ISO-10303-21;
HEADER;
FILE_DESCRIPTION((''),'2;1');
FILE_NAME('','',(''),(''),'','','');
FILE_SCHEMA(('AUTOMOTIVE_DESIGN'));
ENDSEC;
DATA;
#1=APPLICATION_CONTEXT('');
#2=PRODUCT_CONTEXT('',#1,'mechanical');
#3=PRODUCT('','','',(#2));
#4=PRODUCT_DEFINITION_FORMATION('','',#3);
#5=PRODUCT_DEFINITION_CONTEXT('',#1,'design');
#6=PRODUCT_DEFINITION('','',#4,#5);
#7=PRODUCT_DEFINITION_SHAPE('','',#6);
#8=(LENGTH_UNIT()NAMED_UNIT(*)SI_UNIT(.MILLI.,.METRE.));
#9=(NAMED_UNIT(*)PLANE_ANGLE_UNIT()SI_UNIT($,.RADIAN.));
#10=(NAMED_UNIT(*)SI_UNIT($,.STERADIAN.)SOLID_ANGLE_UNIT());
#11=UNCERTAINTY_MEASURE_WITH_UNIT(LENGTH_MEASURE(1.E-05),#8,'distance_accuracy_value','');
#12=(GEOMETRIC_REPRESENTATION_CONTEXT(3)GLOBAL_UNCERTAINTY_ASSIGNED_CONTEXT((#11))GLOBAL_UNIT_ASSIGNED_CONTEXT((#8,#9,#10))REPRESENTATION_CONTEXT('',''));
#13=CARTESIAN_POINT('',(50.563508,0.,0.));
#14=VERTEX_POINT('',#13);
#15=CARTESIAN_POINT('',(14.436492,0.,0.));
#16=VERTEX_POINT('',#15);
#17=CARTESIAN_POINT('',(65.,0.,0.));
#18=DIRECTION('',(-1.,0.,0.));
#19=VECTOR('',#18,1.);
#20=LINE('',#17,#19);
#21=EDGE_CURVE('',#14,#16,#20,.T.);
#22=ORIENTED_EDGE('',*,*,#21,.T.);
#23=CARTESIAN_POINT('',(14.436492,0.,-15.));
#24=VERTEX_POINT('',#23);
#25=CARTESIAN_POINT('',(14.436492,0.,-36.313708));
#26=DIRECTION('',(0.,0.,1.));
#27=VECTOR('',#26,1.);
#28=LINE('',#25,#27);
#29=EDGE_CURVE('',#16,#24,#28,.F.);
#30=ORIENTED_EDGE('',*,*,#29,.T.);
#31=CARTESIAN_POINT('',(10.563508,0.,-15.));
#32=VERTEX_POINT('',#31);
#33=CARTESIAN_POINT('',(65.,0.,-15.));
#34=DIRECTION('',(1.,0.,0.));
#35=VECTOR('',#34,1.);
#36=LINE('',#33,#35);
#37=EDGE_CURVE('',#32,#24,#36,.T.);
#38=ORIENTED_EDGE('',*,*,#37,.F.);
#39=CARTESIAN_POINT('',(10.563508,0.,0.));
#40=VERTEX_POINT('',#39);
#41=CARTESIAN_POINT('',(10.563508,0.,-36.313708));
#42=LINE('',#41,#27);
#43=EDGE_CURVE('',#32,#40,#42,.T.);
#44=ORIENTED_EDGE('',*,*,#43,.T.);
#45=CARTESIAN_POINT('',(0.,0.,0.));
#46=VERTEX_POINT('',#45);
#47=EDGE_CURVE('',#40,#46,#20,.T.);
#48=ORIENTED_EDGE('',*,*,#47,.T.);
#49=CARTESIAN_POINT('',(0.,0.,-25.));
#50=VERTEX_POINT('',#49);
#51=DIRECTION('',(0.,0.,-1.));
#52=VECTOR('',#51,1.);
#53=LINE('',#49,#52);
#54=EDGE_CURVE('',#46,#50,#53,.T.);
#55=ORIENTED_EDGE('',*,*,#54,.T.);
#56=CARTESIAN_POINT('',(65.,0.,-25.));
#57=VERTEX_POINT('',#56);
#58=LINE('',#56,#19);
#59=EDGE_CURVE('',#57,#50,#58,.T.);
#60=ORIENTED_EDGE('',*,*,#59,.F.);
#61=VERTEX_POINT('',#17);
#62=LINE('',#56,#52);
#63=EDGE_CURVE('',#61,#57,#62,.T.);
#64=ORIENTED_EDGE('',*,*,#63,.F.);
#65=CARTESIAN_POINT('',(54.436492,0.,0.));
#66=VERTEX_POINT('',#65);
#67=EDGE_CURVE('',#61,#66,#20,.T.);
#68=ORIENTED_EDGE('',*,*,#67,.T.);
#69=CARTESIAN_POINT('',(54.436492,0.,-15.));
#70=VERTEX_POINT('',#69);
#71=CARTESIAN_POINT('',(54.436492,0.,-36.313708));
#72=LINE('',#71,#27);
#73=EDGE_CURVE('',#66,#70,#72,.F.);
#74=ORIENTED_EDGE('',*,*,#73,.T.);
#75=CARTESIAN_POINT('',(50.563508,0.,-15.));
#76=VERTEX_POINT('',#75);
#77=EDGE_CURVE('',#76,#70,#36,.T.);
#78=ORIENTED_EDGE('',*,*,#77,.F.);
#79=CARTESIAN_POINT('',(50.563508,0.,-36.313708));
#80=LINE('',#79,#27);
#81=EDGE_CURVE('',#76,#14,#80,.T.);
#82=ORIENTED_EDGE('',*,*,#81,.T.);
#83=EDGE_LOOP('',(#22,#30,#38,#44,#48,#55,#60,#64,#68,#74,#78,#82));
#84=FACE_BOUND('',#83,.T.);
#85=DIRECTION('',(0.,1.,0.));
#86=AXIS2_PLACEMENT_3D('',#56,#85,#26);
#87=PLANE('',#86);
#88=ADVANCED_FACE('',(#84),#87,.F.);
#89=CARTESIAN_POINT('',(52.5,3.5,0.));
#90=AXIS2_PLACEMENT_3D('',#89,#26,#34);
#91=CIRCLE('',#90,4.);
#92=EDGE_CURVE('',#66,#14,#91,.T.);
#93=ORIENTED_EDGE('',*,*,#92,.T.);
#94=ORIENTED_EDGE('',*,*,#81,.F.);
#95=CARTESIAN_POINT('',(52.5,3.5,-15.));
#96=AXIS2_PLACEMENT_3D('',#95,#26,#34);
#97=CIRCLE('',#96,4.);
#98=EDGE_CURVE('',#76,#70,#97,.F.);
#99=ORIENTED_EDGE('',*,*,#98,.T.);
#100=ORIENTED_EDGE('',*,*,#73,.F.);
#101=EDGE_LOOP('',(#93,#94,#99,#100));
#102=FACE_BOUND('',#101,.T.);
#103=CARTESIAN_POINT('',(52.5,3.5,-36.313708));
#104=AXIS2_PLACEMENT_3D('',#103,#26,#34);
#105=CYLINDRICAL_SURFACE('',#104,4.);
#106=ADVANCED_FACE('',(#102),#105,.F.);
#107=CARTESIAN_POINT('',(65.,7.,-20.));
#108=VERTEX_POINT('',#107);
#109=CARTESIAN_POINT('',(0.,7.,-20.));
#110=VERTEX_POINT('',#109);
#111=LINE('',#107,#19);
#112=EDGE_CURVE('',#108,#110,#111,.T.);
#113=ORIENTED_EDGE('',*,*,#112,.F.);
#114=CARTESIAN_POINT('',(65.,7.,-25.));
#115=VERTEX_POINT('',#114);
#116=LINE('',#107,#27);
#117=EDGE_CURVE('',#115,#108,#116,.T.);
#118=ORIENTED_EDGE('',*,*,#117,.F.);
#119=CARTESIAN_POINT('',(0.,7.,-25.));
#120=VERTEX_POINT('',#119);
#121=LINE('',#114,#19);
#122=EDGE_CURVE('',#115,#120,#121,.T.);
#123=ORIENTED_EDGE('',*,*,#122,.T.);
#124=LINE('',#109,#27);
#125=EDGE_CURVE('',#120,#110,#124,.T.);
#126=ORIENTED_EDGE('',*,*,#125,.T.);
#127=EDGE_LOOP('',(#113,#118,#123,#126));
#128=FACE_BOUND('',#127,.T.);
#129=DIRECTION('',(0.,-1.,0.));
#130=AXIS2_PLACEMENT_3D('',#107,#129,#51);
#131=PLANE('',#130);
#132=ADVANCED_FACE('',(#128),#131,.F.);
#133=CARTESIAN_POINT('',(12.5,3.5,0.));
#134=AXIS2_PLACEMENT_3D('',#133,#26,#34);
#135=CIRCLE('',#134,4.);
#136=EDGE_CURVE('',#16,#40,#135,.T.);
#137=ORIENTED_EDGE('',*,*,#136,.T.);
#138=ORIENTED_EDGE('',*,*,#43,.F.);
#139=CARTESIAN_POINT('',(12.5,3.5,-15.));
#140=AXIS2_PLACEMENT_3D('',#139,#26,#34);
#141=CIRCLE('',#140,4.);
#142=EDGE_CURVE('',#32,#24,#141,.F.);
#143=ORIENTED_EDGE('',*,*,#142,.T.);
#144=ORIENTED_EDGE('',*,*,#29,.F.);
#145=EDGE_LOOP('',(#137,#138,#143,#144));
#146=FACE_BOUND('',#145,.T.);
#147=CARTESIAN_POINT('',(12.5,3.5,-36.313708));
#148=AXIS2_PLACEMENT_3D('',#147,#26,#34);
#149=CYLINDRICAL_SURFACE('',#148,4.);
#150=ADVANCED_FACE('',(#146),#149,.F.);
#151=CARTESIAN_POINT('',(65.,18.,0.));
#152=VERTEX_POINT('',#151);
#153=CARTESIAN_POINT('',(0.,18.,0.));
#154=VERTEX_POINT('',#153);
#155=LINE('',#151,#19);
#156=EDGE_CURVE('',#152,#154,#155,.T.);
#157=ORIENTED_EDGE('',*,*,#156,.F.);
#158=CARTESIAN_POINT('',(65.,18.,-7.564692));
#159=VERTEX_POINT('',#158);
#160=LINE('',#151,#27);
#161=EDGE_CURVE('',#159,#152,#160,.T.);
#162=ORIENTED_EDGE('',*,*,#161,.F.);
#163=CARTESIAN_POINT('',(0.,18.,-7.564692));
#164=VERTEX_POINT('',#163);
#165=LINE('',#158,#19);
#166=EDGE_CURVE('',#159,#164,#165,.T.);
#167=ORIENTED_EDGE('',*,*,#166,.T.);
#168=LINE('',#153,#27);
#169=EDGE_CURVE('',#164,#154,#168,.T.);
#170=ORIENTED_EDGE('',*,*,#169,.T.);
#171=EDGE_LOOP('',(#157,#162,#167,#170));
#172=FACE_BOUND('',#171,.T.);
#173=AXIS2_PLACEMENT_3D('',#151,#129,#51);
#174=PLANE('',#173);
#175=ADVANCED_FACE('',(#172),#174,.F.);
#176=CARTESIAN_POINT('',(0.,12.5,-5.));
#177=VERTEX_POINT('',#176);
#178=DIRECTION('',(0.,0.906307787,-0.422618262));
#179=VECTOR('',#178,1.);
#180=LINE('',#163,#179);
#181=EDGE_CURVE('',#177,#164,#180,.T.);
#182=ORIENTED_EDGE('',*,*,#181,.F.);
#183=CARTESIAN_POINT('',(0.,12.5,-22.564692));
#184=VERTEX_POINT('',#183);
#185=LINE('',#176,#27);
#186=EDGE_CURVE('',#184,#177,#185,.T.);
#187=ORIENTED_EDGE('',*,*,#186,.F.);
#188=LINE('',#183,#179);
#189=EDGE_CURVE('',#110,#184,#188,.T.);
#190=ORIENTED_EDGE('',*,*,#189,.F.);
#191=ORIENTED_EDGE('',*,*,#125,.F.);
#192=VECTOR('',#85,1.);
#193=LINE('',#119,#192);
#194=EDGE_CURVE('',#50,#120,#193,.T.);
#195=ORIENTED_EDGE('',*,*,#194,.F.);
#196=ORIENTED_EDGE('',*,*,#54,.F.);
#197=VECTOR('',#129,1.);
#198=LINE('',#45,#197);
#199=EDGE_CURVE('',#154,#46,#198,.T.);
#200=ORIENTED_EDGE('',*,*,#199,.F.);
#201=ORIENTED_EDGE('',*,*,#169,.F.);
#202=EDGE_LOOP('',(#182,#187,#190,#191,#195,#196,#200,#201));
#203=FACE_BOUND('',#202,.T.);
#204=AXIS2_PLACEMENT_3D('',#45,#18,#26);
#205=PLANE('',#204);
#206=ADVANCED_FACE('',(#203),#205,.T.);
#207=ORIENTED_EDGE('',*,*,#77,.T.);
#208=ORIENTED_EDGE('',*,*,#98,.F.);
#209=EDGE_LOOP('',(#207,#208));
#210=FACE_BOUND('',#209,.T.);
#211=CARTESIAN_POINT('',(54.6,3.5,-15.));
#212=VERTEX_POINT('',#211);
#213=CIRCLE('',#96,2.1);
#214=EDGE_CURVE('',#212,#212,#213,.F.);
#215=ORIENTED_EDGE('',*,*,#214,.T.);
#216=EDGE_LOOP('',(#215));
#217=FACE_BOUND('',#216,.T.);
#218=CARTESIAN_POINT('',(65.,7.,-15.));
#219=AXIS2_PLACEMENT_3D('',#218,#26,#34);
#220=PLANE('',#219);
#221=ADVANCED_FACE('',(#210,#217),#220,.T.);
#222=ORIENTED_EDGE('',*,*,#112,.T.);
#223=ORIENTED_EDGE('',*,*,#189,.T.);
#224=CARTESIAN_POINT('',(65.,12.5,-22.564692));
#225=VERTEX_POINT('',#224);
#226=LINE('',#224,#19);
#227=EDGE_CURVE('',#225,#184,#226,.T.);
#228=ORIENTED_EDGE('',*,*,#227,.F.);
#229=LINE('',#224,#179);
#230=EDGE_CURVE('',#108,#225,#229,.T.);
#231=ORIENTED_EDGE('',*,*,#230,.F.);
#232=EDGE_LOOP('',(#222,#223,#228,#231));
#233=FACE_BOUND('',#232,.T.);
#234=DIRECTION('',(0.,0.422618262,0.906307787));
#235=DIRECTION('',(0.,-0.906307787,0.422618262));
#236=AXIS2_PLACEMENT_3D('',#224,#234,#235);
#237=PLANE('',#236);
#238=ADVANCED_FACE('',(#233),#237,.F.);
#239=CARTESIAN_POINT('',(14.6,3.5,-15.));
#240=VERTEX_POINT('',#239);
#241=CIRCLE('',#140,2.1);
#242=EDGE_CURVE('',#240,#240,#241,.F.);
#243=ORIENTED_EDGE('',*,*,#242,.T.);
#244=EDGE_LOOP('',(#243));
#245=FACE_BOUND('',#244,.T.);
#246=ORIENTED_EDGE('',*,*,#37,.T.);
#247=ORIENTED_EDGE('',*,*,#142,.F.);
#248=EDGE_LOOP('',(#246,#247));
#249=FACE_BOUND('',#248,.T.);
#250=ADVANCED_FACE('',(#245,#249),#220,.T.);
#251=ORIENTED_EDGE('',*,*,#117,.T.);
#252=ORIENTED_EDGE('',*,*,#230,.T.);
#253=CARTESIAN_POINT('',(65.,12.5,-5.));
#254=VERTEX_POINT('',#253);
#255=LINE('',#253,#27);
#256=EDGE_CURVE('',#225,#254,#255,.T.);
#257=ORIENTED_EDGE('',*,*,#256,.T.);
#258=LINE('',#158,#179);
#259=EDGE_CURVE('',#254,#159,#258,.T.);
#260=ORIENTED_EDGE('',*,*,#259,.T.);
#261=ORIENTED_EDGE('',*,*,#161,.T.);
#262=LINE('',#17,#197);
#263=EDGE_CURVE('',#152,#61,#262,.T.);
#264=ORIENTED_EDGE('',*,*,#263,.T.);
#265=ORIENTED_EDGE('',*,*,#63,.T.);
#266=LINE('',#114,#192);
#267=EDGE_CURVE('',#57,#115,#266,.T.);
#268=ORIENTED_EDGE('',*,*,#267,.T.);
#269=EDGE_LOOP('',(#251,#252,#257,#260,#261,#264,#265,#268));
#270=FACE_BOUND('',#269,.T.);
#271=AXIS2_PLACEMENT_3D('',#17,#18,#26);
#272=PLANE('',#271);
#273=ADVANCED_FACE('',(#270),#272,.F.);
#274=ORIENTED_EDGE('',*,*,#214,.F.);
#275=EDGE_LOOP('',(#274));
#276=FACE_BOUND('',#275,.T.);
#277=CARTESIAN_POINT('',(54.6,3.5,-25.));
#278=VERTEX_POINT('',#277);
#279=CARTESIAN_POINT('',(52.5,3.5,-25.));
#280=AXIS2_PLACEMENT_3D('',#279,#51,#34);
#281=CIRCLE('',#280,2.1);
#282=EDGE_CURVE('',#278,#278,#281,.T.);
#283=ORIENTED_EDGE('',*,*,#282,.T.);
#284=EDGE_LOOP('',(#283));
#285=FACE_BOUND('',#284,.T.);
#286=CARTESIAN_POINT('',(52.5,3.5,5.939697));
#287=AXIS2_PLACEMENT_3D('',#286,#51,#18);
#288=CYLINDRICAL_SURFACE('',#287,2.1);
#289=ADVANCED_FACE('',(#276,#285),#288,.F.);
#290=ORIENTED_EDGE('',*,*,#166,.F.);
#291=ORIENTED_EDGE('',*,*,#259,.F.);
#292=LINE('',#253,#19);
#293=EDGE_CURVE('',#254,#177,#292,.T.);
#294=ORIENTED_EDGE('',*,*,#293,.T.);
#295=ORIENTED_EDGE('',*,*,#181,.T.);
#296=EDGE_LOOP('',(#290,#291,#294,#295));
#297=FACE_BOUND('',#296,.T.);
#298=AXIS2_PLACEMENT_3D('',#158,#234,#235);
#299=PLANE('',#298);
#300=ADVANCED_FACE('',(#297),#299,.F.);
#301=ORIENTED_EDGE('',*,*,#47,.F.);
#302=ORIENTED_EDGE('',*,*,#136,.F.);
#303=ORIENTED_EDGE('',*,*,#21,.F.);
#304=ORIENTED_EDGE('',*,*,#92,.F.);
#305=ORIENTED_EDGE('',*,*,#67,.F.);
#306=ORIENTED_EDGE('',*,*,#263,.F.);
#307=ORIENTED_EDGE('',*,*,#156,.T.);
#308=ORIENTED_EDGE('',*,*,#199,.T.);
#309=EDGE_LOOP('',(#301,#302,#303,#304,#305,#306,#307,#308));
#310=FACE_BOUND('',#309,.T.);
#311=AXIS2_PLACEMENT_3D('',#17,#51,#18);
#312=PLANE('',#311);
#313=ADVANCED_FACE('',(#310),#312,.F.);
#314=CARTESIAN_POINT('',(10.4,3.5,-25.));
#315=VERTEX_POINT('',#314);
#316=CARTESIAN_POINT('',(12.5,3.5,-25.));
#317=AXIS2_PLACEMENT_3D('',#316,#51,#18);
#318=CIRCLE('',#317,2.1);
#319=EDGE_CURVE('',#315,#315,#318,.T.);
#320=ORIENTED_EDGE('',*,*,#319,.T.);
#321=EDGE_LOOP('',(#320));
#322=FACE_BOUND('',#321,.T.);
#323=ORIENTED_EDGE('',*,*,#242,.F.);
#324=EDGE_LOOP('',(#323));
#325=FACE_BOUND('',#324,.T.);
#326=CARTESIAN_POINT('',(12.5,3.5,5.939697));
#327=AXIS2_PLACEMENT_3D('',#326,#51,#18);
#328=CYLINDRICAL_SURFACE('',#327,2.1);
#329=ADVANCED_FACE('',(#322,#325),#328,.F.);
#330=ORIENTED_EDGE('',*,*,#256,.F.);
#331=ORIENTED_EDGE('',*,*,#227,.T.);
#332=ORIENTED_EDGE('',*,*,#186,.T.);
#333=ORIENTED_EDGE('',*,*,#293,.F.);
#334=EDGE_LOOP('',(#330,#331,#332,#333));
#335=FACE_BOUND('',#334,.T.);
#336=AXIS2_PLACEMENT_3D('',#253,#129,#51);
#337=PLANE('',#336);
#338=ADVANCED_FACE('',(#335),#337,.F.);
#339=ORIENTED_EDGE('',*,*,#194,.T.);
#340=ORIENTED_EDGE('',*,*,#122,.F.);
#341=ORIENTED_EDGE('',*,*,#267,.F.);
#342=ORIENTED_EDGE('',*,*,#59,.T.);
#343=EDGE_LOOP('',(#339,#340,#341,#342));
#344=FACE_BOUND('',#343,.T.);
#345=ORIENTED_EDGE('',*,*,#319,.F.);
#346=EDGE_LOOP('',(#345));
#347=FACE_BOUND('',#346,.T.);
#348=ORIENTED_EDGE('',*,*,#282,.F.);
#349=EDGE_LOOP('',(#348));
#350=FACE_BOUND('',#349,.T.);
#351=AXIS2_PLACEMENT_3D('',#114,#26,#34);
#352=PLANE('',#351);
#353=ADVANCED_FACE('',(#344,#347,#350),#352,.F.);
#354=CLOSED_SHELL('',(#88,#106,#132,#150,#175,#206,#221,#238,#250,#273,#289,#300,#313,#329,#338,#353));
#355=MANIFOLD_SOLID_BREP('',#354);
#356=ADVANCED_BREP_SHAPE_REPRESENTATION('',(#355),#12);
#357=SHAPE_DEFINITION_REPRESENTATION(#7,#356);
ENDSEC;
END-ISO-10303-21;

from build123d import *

# Parameters (mm, degrees)
BOSS_EXTRUDE1_DEPTH = 65
SKETCH2_R           = 2.1
CUT_EXTRUDE1_DEPTH  = 25
SKETCH3_R           = 4
CUT_EXTRUDE2_DEPTH  = 15


with BuildPart() as part:
    # Sketch1 → Boss-Extrude1 (new body)
    with BuildSketch(Plane(origin=(0, 0, 0), x_dir=(0, 0, -1), z_dir=(1, 0, 0))):
        Polygon((0, 0), (0, 18), (7.56469212, 18), (5, 12.5), (22.56469212, 12.5), (20, 7), (25, 7), (25, 0), align=None)
    extrude(amount=BOSS_EXTRUDE1_DEPTH)

    # Sketch2 → Cut-Extrude1 (cut)
    with BuildSketch(Plane(origin=(0, 0, -25), x_dir=(-1, 0, 0), z_dir=(0, 0, -1))):
        with Locations((-12.5, 3.5)):
            Circle(SKETCH2_R)
        with Locations((-52.5, 3.5)):
            Circle(SKETCH2_R)
    extrude(amount=-CUT_EXTRUDE1_DEPTH, mode=Mode.SUBTRACT)

    # Sketch3 → Cut-Extrude2 (cut)
    with BuildSketch(Plane.XY):
        with Locations((12.5, 3.5)):
            Circle(SKETCH3_R)
        with Locations((52.5, 3.5)):
            Circle(SKETCH3_R)
    extrude(amount=-CUT_EXTRUDE2_DEPTH, mode=Mode.SUBTRACT)


solid = part.part
